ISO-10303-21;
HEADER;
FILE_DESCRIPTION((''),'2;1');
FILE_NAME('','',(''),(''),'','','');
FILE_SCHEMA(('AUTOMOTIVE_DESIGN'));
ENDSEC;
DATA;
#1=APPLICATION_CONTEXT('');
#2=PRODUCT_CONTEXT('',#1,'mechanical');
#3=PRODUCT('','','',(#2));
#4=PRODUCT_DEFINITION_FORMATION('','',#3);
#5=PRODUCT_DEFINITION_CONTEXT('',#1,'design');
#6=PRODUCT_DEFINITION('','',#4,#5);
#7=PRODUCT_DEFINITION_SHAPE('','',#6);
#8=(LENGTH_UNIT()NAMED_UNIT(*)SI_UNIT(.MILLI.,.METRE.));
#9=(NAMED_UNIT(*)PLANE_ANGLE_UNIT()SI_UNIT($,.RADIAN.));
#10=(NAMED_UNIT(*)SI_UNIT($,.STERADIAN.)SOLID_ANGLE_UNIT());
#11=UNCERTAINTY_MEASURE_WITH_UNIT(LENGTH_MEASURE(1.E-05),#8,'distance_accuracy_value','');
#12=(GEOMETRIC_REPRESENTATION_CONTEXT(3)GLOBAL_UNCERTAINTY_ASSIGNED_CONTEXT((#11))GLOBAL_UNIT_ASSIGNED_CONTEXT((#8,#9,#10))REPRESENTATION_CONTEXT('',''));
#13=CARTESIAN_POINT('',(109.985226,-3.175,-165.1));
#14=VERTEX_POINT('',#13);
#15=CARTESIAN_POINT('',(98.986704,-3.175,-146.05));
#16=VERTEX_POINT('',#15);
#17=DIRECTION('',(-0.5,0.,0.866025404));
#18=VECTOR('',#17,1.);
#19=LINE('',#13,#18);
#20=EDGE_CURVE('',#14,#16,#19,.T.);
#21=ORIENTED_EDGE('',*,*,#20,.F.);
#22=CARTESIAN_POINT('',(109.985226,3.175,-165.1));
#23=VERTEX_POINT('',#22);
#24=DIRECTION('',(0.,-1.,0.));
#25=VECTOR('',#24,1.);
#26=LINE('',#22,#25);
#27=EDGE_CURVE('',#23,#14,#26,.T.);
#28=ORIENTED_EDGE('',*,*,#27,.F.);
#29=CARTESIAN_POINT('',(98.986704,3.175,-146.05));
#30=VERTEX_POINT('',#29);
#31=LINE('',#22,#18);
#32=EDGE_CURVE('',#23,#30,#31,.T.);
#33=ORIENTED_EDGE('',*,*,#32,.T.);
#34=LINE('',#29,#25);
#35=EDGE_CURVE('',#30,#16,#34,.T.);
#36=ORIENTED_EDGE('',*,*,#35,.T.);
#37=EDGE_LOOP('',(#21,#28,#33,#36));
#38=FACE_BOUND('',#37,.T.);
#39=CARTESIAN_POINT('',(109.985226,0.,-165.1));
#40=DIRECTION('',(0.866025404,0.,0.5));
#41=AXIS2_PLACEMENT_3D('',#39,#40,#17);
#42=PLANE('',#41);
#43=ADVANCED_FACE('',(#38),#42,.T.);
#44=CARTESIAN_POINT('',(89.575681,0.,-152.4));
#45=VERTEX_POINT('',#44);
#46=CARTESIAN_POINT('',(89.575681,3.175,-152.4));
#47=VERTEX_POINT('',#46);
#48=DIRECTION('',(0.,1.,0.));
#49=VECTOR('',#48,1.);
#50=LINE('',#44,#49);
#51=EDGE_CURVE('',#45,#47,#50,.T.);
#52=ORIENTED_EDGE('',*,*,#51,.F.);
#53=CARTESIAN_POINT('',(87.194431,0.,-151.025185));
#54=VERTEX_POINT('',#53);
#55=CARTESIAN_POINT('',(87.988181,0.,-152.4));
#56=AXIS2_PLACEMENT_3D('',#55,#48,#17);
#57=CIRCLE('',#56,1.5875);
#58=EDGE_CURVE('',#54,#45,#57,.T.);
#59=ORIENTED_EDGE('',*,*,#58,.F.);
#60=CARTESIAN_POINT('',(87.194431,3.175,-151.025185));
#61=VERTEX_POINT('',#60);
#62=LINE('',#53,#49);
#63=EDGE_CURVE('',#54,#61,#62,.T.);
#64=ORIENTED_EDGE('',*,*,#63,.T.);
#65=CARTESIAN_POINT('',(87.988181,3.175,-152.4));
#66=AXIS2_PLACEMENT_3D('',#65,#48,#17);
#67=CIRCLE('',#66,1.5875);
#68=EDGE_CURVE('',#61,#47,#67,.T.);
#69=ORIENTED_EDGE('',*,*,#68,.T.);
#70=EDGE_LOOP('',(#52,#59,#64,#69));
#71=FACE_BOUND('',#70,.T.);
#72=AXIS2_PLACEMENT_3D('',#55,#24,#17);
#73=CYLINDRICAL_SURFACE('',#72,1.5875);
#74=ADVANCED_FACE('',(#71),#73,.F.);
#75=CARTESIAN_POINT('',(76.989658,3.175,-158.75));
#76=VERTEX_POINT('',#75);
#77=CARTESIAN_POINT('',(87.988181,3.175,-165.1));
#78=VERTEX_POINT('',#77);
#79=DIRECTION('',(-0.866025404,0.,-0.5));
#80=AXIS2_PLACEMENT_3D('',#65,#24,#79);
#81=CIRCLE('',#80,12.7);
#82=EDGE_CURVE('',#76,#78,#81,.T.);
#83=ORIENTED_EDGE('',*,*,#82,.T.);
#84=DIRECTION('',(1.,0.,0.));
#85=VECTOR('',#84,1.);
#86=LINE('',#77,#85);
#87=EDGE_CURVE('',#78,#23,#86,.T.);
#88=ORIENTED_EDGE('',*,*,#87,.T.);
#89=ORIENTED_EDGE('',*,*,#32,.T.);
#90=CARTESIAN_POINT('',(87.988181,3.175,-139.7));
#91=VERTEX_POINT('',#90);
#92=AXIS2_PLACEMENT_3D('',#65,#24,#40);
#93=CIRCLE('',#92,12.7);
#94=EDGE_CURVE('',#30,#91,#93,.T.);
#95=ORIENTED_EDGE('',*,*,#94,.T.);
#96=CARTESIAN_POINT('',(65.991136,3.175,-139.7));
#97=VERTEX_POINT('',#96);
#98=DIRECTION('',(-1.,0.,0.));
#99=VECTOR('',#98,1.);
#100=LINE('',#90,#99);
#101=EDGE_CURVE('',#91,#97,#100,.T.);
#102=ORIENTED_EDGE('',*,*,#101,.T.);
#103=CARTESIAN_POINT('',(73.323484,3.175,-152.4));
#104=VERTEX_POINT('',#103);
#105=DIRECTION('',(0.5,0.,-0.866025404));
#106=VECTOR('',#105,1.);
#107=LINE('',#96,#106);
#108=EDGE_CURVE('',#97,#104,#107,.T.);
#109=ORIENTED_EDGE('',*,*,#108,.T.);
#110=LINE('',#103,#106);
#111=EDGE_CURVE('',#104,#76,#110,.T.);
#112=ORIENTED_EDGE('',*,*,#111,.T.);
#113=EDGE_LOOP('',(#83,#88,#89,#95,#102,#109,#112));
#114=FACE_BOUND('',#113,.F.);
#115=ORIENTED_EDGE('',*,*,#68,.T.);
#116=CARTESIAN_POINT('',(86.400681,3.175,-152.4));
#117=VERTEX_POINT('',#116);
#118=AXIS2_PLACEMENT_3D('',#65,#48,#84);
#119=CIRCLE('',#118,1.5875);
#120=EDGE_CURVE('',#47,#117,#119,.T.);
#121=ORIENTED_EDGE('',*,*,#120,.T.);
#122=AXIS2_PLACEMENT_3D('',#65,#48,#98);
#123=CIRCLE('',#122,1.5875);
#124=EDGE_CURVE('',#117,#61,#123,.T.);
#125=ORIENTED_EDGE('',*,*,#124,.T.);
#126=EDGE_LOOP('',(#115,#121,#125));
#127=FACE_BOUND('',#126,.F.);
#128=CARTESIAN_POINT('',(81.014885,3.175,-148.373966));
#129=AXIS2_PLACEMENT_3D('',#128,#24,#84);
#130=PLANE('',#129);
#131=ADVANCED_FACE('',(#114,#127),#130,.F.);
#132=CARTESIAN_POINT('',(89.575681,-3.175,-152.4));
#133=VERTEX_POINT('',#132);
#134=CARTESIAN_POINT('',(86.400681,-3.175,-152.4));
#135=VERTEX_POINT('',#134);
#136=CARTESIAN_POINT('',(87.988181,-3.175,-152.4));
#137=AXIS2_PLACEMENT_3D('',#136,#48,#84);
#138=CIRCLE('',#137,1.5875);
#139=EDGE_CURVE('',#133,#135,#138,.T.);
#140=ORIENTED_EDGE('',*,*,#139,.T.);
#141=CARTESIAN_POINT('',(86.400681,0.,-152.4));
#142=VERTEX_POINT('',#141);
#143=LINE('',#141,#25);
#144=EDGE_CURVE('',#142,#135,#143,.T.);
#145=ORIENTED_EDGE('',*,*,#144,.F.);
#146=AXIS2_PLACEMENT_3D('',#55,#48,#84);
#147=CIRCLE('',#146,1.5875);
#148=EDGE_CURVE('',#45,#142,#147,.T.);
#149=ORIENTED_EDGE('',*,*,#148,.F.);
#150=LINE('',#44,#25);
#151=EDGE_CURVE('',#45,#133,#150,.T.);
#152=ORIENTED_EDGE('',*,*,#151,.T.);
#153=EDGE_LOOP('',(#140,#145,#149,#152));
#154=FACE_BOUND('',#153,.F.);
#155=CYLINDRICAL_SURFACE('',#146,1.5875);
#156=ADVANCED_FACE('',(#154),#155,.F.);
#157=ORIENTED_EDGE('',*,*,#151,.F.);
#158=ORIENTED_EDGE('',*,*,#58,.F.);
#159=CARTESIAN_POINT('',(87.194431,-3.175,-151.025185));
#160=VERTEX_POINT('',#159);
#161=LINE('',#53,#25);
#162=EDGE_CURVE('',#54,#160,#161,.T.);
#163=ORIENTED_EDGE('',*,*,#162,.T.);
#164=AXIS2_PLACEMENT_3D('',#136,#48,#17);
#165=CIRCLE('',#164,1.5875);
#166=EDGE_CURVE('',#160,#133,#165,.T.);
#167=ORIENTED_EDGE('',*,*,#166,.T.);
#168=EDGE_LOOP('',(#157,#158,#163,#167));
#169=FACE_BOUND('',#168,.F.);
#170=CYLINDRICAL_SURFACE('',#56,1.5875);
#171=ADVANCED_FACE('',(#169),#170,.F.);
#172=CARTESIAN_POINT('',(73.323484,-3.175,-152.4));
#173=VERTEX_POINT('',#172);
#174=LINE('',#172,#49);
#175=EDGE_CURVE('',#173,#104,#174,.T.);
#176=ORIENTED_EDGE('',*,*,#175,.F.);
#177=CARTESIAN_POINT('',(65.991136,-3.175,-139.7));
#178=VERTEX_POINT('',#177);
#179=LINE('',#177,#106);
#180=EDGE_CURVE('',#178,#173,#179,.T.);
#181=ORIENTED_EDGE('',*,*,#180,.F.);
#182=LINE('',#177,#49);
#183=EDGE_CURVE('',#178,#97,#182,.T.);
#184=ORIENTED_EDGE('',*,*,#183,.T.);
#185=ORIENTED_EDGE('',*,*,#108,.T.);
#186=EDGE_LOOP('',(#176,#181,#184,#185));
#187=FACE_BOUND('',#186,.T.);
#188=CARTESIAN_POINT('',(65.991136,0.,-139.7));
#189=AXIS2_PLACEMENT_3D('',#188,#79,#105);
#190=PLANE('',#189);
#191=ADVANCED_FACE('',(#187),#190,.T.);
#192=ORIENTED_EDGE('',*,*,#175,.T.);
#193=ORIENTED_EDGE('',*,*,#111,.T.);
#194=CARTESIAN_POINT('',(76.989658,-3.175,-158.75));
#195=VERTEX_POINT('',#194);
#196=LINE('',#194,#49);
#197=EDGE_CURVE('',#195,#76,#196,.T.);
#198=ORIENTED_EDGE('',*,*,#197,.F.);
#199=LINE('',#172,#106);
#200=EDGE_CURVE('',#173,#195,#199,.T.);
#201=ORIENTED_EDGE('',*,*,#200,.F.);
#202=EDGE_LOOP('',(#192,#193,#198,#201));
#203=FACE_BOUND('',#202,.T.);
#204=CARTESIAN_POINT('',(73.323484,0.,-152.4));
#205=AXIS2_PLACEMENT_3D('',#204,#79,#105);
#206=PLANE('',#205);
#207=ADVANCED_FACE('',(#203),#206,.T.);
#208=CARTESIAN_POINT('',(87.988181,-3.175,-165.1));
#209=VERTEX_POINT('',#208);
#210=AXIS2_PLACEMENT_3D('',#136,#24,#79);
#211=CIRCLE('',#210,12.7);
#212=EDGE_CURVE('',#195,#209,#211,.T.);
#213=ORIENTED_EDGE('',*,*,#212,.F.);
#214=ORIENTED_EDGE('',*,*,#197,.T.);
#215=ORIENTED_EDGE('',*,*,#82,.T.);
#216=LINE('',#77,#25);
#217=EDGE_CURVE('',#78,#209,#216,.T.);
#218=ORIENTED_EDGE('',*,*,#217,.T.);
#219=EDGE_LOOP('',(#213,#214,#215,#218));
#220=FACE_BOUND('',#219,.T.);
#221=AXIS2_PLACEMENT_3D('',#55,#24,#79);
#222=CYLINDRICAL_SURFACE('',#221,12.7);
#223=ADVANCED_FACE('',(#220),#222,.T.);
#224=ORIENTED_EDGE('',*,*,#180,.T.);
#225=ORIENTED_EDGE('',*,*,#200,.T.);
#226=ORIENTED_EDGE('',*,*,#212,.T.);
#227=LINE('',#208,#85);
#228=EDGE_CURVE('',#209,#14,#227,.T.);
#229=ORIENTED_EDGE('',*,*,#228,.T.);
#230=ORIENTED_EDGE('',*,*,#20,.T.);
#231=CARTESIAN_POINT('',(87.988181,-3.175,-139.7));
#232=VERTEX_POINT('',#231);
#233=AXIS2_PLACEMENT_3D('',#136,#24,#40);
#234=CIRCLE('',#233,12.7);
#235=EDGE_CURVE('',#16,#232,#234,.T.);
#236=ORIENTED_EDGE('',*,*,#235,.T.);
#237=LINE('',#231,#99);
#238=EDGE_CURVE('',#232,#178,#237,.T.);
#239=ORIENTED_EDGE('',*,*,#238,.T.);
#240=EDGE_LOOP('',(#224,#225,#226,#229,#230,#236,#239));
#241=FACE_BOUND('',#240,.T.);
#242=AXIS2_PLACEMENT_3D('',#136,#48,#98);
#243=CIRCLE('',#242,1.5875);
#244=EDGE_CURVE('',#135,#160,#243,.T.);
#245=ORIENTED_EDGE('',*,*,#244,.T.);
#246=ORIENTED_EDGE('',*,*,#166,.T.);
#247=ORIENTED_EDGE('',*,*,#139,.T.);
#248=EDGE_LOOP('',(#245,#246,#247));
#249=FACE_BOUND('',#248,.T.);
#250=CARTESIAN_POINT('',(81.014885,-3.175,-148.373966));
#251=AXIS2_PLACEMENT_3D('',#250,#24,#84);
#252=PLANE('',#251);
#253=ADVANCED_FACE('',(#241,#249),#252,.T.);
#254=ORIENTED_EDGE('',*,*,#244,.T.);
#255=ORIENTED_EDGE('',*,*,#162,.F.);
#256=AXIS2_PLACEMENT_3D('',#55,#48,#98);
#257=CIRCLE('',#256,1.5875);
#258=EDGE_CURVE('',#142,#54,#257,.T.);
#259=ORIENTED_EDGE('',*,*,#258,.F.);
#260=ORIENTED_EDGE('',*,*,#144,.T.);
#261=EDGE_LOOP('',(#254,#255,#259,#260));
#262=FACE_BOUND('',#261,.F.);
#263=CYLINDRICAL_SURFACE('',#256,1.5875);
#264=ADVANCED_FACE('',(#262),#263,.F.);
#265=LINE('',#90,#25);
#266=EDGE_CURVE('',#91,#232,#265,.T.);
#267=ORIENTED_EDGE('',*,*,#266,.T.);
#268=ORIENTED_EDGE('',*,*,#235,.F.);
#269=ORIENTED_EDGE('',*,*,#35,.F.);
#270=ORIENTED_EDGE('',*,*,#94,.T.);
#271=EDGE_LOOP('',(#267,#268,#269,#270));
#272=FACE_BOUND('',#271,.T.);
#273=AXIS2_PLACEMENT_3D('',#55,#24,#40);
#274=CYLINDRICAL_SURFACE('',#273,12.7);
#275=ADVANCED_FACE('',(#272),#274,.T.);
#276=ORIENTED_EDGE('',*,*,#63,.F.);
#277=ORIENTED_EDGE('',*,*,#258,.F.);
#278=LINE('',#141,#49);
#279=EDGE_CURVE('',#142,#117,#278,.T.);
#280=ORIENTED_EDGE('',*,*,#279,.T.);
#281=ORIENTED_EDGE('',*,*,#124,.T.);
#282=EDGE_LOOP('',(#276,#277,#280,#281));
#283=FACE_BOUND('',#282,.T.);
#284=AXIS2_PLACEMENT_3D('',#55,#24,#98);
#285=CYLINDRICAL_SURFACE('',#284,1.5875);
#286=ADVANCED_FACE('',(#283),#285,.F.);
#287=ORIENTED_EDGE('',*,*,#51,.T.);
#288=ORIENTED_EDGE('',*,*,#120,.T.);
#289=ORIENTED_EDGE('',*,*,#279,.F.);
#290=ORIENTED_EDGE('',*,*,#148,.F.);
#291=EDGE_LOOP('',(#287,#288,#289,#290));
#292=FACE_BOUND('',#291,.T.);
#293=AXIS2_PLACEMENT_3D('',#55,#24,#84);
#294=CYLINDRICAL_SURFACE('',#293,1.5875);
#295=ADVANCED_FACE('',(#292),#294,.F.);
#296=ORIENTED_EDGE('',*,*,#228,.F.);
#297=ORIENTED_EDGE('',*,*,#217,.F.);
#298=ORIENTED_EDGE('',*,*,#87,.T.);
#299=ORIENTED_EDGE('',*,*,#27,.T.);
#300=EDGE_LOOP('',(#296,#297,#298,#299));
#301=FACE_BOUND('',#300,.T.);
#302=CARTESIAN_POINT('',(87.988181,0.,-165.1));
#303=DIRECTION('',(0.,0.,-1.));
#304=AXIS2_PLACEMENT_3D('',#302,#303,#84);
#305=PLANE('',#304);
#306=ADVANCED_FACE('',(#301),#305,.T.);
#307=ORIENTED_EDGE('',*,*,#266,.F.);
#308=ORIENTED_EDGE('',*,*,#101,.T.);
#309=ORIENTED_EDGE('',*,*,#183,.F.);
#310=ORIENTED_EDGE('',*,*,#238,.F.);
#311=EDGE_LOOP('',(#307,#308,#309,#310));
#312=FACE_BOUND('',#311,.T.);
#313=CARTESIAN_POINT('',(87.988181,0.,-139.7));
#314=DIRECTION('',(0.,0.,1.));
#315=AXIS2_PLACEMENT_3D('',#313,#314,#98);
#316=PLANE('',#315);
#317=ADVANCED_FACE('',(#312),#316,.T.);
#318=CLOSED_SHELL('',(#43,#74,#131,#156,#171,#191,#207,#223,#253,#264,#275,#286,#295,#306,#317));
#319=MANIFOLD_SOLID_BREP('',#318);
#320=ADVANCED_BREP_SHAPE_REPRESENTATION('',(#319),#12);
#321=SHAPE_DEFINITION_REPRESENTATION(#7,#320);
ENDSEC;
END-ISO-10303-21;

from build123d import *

# Parameters (mm, degrees)
F1_DEPTH = 3.175


with BuildPart() as f1:
    # F0 (on Front) → F1 (new body, symmetric)
    with BuildSketch(Plane.XZ):
        with BuildLine():
            ThreePointArc((81.6381810245, -141.4014773719), (76.9896583964, -146.05), (75.2881810245, -152.4))
            Line((75.2881810245, -152.4), (86.4006810245, -152.4))
            ThreePointArc((86.4006810245, -152.4), (86.613365696, -151.60625), (87.1944310245, -151.0251846715))
            Line((87.1944310245, -151.0251846715), (81.6381810245, -141.4014773719))
        make_face()
        with BuildLine():
            ThreePointArc((76.9896583964, -158.75), (81.6381810245, -163.3985226281), (87.9881810245, -165.1))
            ThreePointArc((87.9881810245, -165.1), (96.9684371456, -161.3802561211), (100.6881810245, -152.4))
            ThreePointArc((100.6881810245, -152.4), (100.2554390184, -149.1129981272), (98.9867036526, -146.05))
            ThreePointArc((98.9867036526, -146.05), (94.3381810245, -141.4014773719), (87.9881810245, -139.7))
            ThreePointArc((87.9881810245, -139.7), (84.7011791517, -140.1327420061), (81.6381810245, -141.4014773719))
            Line((81.6381810245, -141.4014773719), (87.1944310245, -151.0251846715))
            ThreePointArc((87.1944310245, -151.0251846715), (88.7819310245, -151.0251846715), (89.5756810245, -152.4))
            ThreePointArc((89.5756810245, -152.4), (87.9881810245, -153.9875), (86.4006810245, -152.4))
            Line((86.4006810245, -152.4), (75.2881810245, -152.4))
            ThreePointArc((75.2881810245, -152.4), (75.7209230306, -155.6870018728), (76.9896583964, -158.75))
        make_face()
        with BuildLine():
            Line((87.9881810245, -139.7), (80.6558326058, -139.7))
            Line((80.6558326058, -139.7), (81.6381810245, -141.4014773719))
            ThreePointArc((81.6381810245, -141.4014773719), (84.7011791517, -140.1327420061), (87.9881810245, -139.7))
        make_face()
        with BuildLine():
            Line((80.6558326058, -139.7), (65.9911357684, -139.7))
            Line((65.9911357684, -139.7), (73.3234841871, -152.4))
            Line((73.3234841871, -152.4), (75.2881810245, -152.4))
            ThreePointArc((75.2881810245, -152.4), (76.9896583964, -146.05), (81.6381810245, -141.4014773719))
            Line((81.6381810245, -141.4014773719), (80.6558326058, -139.7))
        make_face()
        with BuildLine():
            Line((75.2881810245, -152.4), (73.3234841871, -152.4))
            Line((73.3234841871, -152.4), (76.9896583964, -158.75))
            ThreePointArc((76.9896583964, -158.75), (75.7209230306, -155.6870018728), (75.2881810245, -152.4))
        make_face()
        with BuildLine():
            ThreePointArc((100.6881810245, -152.4), (96.9684371456, -161.3802561211), (87.9881810245, -165.1))
            Line((87.9881810245, -165.1), (109.9852262806, -165.1))
            Line((109.9852262806, -165.1), (98.9867036526, -146.05))
            ThreePointArc((98.9867036526, -146.05), (100.2554390184, -149.1129981272), (100.6881810245, -152.4))
        make_face()
    extrude(amount=F1_DEPTH, both=True)


solid = f1.part
